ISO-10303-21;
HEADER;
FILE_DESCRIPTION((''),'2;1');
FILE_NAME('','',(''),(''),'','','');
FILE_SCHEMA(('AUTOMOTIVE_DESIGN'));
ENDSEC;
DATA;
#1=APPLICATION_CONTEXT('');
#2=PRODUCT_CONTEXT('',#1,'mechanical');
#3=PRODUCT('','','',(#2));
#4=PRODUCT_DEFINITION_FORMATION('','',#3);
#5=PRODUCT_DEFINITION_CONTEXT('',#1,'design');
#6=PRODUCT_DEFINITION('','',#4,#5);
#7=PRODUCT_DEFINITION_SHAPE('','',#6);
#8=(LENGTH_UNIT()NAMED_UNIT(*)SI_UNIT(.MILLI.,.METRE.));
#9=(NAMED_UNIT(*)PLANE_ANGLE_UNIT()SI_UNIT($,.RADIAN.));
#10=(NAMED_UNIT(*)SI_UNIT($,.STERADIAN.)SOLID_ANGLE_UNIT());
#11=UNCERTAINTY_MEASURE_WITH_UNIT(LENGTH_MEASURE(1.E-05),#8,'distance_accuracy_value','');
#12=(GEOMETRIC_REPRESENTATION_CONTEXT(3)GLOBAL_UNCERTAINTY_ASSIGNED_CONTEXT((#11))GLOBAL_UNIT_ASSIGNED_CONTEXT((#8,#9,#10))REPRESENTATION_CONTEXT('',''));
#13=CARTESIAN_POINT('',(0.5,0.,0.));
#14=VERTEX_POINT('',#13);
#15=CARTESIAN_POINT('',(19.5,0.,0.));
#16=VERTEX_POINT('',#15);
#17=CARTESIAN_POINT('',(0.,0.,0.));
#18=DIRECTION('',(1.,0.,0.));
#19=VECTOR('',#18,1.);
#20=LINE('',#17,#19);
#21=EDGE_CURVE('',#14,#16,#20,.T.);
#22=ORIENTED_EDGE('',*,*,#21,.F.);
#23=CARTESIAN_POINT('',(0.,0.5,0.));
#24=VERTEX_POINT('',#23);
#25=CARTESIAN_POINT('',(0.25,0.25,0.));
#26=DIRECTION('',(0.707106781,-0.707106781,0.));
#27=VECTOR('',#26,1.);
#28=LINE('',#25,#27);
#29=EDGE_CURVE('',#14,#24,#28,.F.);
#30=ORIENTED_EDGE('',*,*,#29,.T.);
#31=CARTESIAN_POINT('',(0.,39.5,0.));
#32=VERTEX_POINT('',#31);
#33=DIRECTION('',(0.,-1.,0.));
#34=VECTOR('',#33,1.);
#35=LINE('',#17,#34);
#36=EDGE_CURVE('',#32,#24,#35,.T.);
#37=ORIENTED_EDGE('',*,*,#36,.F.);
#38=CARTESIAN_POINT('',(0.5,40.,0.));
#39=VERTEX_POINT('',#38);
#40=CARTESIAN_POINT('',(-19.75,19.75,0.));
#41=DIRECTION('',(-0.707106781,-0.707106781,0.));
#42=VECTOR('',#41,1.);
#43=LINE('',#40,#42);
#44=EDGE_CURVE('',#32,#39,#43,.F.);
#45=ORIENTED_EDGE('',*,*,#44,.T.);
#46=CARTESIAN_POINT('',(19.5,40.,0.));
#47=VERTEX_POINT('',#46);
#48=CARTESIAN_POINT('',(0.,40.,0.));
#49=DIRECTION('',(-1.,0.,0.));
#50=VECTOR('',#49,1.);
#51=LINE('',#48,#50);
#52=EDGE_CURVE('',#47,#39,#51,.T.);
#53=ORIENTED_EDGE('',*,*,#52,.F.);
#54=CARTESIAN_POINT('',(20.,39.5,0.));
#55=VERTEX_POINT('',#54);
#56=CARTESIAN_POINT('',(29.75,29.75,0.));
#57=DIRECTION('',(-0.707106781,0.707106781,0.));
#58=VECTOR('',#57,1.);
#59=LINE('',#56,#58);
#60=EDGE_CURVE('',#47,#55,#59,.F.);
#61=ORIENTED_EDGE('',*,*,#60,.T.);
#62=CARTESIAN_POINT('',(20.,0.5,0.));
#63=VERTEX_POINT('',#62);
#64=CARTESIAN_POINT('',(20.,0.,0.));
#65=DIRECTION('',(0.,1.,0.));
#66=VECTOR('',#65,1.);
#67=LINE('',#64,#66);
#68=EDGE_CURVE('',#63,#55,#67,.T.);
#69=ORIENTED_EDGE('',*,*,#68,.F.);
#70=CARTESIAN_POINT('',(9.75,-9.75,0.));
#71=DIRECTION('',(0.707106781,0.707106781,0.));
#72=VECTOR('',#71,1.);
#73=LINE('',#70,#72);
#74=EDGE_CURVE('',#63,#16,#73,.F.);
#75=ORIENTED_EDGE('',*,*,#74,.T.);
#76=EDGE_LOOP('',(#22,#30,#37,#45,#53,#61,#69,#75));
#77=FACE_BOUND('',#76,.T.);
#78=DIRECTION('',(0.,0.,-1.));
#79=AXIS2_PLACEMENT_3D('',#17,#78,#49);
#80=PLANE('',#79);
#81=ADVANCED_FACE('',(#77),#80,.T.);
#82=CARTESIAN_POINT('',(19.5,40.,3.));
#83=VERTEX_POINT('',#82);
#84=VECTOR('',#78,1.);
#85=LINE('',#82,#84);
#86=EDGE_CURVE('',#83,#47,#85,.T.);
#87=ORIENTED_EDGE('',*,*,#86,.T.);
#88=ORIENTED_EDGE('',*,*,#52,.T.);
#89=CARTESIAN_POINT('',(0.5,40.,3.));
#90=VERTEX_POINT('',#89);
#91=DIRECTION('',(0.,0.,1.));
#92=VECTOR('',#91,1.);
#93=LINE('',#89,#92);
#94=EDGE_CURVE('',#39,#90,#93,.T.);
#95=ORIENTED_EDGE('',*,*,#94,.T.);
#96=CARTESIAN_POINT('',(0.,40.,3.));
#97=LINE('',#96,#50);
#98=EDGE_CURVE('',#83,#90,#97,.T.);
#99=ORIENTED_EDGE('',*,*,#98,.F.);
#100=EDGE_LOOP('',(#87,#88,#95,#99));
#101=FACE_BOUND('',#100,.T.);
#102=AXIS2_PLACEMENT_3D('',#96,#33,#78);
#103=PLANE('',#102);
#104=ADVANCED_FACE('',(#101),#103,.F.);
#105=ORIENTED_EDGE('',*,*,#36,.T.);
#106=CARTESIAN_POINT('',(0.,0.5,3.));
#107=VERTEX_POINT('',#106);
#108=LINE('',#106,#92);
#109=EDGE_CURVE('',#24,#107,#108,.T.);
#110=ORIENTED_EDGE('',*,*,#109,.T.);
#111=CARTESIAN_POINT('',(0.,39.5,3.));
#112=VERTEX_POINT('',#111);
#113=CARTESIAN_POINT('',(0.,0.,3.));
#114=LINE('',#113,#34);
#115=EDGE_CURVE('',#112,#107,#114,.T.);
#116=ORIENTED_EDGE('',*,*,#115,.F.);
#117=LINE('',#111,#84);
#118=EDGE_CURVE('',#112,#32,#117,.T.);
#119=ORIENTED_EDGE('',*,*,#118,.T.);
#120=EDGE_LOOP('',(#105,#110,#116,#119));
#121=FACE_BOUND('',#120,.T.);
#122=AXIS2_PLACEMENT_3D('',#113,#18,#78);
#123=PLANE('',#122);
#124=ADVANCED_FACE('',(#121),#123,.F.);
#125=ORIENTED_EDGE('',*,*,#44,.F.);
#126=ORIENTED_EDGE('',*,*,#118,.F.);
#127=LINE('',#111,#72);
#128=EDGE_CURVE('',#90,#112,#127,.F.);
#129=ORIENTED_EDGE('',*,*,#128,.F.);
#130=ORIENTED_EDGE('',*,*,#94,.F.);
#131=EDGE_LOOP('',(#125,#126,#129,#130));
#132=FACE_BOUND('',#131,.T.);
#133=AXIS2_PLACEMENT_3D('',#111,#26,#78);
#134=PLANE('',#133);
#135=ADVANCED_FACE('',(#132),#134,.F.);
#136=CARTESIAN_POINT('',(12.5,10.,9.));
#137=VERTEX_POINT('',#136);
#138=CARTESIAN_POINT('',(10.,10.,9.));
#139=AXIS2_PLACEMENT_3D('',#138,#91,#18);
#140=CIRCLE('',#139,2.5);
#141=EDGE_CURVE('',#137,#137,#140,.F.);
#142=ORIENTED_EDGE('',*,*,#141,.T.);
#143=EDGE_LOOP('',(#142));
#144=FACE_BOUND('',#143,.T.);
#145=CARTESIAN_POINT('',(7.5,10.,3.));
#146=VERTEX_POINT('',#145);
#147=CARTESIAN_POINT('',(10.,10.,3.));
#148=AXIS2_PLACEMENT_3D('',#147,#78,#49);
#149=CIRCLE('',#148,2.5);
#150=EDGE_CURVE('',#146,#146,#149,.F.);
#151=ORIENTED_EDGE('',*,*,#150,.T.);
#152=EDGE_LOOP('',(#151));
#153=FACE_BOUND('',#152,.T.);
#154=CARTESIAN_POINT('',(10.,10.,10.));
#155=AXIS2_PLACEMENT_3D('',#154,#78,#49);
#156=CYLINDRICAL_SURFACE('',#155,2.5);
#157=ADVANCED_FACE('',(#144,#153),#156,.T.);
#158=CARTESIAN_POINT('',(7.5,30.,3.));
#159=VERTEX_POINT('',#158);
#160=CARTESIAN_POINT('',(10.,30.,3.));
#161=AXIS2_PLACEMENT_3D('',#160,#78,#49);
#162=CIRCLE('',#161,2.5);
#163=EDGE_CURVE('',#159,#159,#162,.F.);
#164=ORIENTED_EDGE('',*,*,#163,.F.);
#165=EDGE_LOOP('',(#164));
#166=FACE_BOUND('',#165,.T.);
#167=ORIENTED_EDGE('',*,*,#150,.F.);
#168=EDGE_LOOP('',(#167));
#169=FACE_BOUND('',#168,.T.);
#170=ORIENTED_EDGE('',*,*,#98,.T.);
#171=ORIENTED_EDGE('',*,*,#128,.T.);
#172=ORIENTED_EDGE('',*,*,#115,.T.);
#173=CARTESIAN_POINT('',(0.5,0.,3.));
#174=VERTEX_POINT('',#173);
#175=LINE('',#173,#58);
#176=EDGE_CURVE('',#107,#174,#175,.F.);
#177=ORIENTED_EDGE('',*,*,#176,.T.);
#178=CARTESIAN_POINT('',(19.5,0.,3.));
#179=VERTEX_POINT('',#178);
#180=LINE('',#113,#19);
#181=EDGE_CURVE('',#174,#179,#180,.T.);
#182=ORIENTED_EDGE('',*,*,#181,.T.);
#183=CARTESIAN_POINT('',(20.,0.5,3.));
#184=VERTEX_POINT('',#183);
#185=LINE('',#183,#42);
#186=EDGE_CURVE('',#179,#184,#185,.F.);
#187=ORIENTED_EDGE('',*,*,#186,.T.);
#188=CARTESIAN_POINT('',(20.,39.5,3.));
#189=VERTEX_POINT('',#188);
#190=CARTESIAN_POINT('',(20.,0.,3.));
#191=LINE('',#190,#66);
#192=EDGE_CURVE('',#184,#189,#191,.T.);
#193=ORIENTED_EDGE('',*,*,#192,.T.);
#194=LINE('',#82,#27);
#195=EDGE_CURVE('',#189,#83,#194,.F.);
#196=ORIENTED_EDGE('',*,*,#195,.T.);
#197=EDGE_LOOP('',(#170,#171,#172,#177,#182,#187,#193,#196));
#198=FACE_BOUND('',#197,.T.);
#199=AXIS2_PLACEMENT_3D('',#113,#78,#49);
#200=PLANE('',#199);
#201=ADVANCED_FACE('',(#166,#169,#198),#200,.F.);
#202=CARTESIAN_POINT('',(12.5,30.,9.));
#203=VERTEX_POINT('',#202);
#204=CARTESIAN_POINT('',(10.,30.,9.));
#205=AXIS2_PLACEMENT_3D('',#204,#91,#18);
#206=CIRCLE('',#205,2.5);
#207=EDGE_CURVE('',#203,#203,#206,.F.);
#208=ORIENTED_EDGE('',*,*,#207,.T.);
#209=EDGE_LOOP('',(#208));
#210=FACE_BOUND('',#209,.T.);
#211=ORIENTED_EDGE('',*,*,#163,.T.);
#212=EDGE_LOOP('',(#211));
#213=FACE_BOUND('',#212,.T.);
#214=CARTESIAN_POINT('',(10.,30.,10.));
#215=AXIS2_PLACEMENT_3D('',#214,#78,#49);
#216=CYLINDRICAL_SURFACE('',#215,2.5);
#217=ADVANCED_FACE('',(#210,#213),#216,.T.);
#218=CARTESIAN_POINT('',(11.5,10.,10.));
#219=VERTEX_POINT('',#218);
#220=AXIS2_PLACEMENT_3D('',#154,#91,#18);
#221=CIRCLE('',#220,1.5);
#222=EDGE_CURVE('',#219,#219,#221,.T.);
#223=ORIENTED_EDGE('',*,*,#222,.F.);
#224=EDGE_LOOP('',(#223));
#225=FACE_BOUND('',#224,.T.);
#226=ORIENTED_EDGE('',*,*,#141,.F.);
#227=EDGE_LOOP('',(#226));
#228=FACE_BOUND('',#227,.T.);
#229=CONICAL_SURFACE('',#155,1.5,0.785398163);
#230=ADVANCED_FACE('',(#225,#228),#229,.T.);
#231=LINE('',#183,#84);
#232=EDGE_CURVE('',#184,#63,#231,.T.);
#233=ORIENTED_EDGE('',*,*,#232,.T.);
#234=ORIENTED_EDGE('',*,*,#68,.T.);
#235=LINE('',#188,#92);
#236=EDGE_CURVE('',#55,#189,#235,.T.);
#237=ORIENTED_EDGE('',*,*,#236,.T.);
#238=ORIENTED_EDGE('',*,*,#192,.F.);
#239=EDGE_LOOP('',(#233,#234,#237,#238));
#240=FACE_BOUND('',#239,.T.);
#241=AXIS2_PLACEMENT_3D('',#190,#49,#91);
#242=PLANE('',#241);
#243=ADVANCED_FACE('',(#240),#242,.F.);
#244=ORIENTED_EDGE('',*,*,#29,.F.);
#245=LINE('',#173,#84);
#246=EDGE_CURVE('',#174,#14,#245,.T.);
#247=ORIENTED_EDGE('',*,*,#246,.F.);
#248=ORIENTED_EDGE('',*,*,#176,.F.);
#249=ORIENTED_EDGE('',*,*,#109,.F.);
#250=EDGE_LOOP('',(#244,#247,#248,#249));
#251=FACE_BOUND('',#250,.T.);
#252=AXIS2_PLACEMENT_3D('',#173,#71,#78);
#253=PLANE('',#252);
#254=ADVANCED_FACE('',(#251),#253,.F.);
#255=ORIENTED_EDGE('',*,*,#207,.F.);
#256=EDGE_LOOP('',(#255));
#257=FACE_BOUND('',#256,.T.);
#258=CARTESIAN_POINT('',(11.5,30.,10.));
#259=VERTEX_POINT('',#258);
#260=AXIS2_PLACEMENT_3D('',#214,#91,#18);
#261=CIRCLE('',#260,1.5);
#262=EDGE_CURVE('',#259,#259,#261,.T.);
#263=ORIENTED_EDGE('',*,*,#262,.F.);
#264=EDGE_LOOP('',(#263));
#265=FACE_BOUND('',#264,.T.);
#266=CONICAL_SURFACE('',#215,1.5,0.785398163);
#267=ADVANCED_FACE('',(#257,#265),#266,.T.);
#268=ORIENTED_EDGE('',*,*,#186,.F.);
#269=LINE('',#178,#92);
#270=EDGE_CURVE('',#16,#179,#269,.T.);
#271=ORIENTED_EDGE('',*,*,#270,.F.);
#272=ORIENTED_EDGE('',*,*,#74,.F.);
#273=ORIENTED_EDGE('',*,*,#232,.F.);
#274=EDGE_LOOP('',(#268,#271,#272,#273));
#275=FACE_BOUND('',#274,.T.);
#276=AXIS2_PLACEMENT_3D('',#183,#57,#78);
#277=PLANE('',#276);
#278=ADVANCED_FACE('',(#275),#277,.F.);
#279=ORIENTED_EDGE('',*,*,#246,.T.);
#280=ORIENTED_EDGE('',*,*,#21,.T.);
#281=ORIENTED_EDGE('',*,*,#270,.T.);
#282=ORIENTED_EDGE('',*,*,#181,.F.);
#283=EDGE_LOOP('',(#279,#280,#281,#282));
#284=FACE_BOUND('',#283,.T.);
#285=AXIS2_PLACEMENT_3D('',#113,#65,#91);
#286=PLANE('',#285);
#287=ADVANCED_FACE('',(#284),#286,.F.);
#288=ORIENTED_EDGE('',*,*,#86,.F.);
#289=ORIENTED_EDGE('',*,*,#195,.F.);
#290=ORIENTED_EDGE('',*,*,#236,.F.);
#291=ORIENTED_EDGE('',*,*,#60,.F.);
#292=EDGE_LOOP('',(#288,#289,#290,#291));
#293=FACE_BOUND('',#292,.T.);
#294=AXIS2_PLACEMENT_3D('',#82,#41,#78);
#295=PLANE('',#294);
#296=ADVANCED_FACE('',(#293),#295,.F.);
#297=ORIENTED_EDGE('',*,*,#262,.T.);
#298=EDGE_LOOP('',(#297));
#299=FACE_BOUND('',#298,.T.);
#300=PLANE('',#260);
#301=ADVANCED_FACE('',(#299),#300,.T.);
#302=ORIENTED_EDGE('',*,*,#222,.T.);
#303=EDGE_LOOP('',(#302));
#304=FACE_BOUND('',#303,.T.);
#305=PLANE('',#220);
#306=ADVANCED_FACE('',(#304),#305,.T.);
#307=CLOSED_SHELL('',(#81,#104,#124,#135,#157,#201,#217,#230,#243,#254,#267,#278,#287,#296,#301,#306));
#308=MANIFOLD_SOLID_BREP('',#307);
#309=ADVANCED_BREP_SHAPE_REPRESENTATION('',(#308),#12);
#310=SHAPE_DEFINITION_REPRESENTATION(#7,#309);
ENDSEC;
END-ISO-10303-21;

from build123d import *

# Parameters (mm, degrees)
SKETCH1_W           = 20
SKETCH1_H           = 40
BOSS_EXTRUDE1_DEPTH = 3
SKETCH2_R           = 2.5
BOSS_EXTRUDE2_DEPTH = 7
CHAMFER1_SIZE       = 1
CHAMFER2_SIZE       = 0.5


with BuildPart() as part:
    # Sketch1 → Boss-Extrude1 (new body)
    with BuildSketch(Plane.XY):
        with Locations((10, 20)):
            Rectangle(SKETCH1_W, SKETCH1_H)
    extrude(amount=BOSS_EXTRUDE1_DEPTH)

    # Sketch2 → Boss-Extrude2 (add)
    with BuildSketch(Plane.XY.offset(3)):
        with Locations(Location((10, 30, 0), (0, 0, 180))):
            Circle(SKETCH2_R)
        with Locations(Location((10, 10, 0), (0, 0, 180))):
            Circle(SKETCH2_R)
    extrude(amount=BOSS_EXTRUDE2_DEPTH)

    # Chamfer1
    chamfer1_edges = [part.edges().sort_by_distance(p)[0] for p in [
        (12.5, 30, 10),
        (12.5, 10, 10),
    ]]
    chamfer(chamfer1_edges, length=CHAMFER1_SIZE)

    # Chamfer2
    chamfer2_edges = [part.edges().sort_by_distance(p)[0] for p in [
        (0, 40, 1.5),
        (20, 40, 1.5),
        (20, 0, 1.5),
        (0, 0, 1.5),
    ]]
    chamfer(chamfer2_edges, length=CHAMFER2_SIZE)


solid = part.part
